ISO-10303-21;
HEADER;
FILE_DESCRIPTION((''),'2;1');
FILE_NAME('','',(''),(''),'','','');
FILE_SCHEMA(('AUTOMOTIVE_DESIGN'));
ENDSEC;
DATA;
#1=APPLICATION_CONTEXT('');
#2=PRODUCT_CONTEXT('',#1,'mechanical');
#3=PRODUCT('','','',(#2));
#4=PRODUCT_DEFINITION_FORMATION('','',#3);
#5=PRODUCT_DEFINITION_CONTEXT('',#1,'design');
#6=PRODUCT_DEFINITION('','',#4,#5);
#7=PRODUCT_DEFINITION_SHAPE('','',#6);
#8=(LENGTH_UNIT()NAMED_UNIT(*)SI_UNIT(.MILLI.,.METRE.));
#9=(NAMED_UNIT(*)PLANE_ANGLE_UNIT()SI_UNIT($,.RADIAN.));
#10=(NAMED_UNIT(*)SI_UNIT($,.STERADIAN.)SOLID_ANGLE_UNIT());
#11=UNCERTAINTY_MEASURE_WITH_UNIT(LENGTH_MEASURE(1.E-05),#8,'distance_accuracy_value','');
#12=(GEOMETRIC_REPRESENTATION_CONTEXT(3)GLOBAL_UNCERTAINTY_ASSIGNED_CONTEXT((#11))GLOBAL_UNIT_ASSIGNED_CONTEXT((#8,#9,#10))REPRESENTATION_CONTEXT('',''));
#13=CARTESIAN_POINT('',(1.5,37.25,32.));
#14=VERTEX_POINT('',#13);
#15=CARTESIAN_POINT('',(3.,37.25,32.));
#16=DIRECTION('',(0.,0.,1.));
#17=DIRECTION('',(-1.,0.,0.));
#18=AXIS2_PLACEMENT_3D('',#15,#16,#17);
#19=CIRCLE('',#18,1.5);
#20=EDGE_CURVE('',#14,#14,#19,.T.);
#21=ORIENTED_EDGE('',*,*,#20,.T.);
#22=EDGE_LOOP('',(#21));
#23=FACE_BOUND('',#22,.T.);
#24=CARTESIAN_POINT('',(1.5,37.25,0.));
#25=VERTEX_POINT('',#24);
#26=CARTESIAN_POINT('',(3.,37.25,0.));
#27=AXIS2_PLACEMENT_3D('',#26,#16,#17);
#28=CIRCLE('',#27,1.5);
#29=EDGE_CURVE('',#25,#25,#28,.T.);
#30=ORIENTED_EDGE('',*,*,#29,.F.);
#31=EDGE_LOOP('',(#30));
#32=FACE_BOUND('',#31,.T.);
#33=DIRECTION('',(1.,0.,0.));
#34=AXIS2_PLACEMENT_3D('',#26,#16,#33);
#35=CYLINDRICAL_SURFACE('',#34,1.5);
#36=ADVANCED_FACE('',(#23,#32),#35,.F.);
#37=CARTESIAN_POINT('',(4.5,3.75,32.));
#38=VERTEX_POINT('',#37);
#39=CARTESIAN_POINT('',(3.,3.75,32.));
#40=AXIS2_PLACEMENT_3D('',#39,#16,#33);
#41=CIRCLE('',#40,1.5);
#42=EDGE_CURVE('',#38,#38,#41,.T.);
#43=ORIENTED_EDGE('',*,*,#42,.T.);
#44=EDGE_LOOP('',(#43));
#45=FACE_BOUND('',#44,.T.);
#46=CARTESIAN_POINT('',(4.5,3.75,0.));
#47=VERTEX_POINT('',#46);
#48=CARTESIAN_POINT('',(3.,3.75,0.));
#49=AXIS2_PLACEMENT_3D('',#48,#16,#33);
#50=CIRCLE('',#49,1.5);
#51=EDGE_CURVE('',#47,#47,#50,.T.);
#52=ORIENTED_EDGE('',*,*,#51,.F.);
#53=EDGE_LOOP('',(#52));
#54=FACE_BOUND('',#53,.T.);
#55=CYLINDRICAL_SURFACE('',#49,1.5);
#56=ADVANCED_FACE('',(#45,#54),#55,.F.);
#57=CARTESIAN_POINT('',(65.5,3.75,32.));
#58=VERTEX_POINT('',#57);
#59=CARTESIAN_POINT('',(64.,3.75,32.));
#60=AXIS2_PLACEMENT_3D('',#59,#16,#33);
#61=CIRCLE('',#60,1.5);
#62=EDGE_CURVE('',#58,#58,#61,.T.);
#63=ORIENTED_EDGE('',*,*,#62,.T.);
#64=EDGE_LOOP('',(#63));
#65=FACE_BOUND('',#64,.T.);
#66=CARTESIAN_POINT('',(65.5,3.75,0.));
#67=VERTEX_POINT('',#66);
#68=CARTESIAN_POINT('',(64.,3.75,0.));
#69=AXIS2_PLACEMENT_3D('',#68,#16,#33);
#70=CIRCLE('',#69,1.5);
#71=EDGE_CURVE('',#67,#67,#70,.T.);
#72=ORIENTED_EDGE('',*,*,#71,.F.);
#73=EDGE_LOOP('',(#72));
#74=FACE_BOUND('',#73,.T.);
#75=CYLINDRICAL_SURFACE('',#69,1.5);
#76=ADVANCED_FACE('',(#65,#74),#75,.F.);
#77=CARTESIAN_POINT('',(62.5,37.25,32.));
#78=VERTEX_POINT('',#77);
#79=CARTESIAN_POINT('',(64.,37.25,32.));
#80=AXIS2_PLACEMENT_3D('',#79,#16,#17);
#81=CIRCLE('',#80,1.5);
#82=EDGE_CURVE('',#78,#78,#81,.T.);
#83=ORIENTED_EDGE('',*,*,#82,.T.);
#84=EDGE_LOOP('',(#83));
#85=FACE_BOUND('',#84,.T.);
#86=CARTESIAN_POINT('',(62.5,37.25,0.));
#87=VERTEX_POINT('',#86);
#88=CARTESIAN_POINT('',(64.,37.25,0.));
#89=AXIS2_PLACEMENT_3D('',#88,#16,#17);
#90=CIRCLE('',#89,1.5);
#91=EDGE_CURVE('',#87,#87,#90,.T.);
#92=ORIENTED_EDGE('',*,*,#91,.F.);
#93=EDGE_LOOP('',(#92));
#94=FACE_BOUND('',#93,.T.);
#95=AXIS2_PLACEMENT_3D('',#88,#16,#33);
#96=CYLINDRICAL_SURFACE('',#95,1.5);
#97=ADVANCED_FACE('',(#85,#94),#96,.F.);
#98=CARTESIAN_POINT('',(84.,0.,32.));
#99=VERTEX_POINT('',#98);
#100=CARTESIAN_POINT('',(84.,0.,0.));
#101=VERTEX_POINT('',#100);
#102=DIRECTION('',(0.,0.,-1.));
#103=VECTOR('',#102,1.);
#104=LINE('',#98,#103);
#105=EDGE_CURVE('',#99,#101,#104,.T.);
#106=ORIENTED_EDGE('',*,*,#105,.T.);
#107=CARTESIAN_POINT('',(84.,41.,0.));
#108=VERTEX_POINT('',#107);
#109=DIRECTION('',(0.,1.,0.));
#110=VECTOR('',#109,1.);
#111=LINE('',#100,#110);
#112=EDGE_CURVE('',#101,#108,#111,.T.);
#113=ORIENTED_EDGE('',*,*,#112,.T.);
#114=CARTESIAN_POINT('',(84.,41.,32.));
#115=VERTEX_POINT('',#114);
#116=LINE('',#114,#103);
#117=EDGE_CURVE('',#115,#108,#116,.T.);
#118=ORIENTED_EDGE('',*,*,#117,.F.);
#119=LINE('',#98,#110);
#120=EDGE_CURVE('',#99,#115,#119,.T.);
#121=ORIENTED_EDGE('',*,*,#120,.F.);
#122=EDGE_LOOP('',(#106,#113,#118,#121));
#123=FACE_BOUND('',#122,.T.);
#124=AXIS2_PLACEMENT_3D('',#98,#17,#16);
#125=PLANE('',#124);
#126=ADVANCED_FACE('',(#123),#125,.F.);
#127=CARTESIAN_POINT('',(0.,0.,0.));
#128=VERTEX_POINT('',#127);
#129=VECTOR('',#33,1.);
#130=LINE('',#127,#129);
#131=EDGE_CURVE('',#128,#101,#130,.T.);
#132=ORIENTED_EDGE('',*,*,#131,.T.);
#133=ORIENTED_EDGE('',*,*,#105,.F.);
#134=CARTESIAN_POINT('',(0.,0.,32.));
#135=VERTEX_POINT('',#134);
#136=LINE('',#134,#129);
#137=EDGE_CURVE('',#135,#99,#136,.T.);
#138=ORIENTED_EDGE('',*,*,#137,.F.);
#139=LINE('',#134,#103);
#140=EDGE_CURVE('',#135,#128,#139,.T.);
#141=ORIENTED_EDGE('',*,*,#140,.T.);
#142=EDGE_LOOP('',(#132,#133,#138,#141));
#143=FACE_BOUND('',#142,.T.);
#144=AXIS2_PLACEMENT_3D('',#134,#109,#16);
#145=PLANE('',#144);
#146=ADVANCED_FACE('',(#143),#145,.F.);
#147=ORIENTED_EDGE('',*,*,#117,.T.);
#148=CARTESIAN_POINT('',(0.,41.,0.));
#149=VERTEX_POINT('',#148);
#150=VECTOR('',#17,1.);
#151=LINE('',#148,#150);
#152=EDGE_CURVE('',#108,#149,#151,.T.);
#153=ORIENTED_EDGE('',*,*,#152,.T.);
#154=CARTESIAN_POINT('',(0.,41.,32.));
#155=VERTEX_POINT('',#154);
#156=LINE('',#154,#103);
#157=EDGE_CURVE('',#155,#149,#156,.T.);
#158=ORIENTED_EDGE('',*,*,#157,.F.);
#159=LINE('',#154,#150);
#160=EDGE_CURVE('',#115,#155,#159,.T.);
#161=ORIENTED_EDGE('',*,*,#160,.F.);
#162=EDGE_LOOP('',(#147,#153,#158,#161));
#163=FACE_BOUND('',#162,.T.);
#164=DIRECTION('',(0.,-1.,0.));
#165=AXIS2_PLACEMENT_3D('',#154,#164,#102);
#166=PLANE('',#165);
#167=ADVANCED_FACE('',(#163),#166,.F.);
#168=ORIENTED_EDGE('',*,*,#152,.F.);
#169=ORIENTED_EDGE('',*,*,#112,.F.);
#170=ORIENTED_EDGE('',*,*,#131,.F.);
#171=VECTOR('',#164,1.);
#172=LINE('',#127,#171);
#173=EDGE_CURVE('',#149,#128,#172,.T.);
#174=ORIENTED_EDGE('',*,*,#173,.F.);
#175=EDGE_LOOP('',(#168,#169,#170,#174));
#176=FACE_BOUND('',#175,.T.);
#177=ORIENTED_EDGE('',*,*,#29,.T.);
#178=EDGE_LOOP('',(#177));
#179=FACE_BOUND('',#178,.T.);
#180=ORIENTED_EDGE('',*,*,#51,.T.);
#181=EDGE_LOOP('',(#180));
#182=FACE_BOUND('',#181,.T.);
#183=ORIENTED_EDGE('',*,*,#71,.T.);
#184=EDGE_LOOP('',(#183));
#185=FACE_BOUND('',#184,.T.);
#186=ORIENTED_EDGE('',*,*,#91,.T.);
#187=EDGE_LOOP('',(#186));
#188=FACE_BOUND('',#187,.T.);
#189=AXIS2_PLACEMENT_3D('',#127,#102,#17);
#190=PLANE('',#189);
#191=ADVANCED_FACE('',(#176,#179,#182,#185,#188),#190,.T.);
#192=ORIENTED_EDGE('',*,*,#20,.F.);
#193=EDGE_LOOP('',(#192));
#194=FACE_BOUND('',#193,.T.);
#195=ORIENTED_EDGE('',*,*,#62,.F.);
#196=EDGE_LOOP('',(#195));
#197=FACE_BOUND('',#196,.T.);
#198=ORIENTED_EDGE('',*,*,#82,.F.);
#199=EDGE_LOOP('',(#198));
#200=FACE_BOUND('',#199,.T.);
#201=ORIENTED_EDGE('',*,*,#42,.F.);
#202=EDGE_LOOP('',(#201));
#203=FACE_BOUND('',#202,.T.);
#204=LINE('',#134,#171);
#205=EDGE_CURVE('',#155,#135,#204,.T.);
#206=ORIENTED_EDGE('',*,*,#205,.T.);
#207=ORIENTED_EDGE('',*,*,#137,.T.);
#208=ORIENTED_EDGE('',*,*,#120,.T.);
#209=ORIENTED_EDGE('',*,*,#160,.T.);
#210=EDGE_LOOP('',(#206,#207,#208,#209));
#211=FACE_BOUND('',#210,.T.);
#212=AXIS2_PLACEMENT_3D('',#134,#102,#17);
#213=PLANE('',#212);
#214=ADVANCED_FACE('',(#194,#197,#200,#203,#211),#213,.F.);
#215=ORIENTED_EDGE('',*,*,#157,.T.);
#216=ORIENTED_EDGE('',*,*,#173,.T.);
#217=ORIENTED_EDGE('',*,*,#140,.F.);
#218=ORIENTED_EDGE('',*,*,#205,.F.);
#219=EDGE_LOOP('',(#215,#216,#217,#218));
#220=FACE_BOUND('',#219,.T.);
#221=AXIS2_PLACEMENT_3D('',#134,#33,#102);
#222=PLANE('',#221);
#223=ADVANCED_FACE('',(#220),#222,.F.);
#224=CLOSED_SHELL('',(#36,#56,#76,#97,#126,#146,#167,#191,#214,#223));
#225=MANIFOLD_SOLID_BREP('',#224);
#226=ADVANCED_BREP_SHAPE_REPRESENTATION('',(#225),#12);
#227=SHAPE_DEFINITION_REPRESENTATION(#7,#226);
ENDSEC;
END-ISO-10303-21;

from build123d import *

# Parameters (mm, degrees)
SKETCH_1_W          = 84
SKETCH_1_H          = 41
EXTRUDE_1_DEPTH     = 32
SKETCH_2_R          = 1.5
CUT_EXTRUDE_1_DEPTH = 32


with BuildPart() as part:
    # 草图1 → 凸台-拉伸1 (new body)
    with BuildSketch(Plane.XY):
        with Locations((42, 20.5)):
            Rectangle(SKETCH_1_W, SKETCH_1_H)
    extrude(amount=EXTRUDE_1_DEPTH)

    # 草图2 → 切除-拉伸1 (cut)
    with BuildSketch(Plane.XY.offset(32)):
        with Locations((3, 3.75)):
            Circle(SKETCH_2_R)
        with Locations((64, 3.75)):
            Circle(SKETCH_2_R)
        with Locations(Location((64, 37.25, 0), (0, 0, 180))):
            Circle(SKETCH_2_R)
        with Locations(Location((3, 37.25, 0), (0, 0, 180))):
            Circle(SKETCH_2_R)
    extrude(amount=-CUT_EXTRUDE_1_DEPTH, mode=Mode.SUBTRACT)


solid = part.part
